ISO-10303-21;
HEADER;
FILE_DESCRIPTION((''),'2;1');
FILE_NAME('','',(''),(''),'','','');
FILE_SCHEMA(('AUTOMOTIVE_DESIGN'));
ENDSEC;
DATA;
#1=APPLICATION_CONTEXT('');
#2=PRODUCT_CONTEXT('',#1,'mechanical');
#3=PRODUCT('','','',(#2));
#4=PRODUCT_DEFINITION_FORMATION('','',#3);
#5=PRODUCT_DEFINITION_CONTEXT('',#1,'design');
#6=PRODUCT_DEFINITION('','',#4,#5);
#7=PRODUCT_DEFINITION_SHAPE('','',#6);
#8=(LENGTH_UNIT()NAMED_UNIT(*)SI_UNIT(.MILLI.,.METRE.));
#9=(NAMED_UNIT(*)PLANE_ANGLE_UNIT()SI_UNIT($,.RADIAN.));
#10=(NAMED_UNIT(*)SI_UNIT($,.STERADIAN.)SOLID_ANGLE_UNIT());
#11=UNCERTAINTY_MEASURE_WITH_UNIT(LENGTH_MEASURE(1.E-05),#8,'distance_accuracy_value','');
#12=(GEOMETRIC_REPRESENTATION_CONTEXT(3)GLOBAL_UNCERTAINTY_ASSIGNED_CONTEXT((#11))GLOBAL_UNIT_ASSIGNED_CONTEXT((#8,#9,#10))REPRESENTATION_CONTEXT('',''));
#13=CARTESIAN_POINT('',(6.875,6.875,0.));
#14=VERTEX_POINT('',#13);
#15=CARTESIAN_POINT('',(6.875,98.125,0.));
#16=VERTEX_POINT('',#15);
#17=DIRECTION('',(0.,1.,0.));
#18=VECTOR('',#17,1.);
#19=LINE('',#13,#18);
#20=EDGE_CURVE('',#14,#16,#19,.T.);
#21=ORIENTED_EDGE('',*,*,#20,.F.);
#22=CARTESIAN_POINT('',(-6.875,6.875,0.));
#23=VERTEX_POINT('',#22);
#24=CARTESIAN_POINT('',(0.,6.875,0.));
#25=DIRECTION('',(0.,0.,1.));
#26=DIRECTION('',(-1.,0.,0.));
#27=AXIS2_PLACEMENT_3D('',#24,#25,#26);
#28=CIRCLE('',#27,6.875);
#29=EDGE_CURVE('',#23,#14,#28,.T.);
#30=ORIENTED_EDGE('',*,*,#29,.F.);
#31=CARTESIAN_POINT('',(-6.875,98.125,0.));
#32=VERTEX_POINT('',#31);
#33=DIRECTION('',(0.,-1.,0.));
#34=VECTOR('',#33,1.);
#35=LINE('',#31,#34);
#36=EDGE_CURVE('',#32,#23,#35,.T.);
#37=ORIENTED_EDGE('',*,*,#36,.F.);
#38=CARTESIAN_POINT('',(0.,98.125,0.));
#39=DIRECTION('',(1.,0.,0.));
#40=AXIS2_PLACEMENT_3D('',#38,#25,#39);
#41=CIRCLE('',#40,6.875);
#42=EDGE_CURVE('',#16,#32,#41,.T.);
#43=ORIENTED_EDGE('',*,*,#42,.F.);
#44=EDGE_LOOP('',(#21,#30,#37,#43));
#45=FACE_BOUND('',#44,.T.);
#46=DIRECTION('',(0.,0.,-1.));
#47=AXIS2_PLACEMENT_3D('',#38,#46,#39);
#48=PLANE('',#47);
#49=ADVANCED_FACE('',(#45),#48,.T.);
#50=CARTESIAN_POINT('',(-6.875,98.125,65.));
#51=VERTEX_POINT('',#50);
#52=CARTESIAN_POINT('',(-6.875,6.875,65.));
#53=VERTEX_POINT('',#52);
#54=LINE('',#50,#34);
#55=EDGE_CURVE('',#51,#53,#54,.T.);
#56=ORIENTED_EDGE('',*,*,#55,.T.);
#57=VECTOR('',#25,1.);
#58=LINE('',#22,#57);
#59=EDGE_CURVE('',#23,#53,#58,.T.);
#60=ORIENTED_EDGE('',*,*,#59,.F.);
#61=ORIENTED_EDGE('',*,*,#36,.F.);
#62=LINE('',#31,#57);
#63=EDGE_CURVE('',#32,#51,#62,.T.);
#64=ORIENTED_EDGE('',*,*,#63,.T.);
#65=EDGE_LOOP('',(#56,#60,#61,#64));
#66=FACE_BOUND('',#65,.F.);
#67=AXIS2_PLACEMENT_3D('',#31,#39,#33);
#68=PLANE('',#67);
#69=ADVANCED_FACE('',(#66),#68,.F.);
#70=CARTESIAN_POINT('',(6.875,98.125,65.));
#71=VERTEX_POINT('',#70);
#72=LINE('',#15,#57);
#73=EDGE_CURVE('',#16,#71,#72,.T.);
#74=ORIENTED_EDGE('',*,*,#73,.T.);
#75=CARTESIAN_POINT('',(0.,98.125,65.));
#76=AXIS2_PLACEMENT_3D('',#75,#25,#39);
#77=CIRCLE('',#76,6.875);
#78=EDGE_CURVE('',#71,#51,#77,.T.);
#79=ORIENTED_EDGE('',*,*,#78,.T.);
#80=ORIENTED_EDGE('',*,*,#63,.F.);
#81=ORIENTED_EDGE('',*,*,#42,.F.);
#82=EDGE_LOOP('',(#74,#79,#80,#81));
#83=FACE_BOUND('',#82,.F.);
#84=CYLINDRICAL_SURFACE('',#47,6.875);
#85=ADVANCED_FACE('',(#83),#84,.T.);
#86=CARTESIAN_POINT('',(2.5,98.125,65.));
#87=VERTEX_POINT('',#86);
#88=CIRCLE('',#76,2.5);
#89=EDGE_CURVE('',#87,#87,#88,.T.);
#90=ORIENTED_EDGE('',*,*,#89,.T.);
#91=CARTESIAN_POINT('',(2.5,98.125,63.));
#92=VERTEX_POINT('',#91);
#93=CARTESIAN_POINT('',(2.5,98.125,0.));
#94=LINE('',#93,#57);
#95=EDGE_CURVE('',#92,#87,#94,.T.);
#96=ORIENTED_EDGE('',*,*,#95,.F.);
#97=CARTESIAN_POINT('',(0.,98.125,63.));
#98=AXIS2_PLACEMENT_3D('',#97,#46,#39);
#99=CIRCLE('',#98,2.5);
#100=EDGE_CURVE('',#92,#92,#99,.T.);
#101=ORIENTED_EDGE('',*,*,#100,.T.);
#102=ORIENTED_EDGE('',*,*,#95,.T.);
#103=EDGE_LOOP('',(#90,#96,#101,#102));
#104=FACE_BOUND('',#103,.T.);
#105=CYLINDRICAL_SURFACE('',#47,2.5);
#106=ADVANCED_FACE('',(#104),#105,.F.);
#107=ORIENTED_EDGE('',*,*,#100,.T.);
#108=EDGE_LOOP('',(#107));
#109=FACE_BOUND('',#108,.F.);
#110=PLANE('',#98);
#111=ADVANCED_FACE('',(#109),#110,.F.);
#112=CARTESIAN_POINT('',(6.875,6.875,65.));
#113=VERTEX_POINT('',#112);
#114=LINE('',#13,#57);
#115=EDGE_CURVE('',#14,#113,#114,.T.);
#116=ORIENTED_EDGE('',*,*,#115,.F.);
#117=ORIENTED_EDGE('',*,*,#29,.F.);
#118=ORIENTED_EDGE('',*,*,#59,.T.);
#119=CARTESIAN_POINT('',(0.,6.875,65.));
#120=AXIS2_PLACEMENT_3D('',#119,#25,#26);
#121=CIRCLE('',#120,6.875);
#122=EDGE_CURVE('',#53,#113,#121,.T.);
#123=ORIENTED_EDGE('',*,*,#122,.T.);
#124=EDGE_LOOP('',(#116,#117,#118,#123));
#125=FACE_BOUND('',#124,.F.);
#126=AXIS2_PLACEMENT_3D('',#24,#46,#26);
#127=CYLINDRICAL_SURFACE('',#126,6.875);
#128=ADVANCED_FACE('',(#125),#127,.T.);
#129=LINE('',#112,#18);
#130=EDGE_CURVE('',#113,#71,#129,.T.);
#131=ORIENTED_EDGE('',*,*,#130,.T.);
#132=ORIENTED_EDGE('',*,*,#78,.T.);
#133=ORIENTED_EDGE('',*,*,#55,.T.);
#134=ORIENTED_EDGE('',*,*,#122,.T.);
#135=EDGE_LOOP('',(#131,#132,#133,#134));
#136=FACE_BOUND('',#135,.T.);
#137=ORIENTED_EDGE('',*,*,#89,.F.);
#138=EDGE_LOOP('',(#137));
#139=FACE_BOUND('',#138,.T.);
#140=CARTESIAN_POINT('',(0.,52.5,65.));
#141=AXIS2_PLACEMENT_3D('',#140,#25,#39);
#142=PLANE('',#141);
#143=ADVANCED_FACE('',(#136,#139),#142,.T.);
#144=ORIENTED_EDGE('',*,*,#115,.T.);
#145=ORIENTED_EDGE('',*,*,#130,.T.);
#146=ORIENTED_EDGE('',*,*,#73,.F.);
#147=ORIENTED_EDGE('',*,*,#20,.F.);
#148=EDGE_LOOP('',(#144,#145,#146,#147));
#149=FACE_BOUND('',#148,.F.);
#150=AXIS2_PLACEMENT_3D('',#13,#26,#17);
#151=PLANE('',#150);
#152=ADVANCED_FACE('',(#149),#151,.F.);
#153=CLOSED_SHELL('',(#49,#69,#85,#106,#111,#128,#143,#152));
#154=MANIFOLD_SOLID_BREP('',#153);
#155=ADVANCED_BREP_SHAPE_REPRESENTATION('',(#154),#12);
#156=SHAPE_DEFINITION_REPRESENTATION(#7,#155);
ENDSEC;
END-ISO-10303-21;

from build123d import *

# Parameters (mm, degrees)
SKETCH_R     = 2.5
PAD_DEPTH    = 65
SKETCH001_R  = 2.5
PAD001_DEPTH = 63


with BuildPart() as part:
    # Sketch → Pad (new body)
    with BuildSketch(Plane.XY):
        with BuildLine():
            ThreePointArc((-6.875, 6.875), (0, 0), (6.875, 6.875))
            Line((6.875, 6.875), (6.875, 98.125))
            ThreePointArc((6.875, 98.125), (0, 105), (-6.875, 98.125))
            Line((-6.875, 98.125), (-6.875, 6.875))
        make_face()
        with Locations((0, 98.125)):
            Circle(SKETCH_R, mode=Mode.SUBTRACT)
    extrude(amount=PAD_DEPTH)

    # Sketch001 (on Face6 of Pad) → Pad001 (join)
    with BuildSketch(Plane(origin=(0, 0, 0), x_dir=(1, 0, 0), z_dir=(0, 0, -1))):
        with Locations((0, -98.125)):
            Circle(SKETCH001_R)
    extrude(amount=-PAD001_DEPTH)


solid = part.part
